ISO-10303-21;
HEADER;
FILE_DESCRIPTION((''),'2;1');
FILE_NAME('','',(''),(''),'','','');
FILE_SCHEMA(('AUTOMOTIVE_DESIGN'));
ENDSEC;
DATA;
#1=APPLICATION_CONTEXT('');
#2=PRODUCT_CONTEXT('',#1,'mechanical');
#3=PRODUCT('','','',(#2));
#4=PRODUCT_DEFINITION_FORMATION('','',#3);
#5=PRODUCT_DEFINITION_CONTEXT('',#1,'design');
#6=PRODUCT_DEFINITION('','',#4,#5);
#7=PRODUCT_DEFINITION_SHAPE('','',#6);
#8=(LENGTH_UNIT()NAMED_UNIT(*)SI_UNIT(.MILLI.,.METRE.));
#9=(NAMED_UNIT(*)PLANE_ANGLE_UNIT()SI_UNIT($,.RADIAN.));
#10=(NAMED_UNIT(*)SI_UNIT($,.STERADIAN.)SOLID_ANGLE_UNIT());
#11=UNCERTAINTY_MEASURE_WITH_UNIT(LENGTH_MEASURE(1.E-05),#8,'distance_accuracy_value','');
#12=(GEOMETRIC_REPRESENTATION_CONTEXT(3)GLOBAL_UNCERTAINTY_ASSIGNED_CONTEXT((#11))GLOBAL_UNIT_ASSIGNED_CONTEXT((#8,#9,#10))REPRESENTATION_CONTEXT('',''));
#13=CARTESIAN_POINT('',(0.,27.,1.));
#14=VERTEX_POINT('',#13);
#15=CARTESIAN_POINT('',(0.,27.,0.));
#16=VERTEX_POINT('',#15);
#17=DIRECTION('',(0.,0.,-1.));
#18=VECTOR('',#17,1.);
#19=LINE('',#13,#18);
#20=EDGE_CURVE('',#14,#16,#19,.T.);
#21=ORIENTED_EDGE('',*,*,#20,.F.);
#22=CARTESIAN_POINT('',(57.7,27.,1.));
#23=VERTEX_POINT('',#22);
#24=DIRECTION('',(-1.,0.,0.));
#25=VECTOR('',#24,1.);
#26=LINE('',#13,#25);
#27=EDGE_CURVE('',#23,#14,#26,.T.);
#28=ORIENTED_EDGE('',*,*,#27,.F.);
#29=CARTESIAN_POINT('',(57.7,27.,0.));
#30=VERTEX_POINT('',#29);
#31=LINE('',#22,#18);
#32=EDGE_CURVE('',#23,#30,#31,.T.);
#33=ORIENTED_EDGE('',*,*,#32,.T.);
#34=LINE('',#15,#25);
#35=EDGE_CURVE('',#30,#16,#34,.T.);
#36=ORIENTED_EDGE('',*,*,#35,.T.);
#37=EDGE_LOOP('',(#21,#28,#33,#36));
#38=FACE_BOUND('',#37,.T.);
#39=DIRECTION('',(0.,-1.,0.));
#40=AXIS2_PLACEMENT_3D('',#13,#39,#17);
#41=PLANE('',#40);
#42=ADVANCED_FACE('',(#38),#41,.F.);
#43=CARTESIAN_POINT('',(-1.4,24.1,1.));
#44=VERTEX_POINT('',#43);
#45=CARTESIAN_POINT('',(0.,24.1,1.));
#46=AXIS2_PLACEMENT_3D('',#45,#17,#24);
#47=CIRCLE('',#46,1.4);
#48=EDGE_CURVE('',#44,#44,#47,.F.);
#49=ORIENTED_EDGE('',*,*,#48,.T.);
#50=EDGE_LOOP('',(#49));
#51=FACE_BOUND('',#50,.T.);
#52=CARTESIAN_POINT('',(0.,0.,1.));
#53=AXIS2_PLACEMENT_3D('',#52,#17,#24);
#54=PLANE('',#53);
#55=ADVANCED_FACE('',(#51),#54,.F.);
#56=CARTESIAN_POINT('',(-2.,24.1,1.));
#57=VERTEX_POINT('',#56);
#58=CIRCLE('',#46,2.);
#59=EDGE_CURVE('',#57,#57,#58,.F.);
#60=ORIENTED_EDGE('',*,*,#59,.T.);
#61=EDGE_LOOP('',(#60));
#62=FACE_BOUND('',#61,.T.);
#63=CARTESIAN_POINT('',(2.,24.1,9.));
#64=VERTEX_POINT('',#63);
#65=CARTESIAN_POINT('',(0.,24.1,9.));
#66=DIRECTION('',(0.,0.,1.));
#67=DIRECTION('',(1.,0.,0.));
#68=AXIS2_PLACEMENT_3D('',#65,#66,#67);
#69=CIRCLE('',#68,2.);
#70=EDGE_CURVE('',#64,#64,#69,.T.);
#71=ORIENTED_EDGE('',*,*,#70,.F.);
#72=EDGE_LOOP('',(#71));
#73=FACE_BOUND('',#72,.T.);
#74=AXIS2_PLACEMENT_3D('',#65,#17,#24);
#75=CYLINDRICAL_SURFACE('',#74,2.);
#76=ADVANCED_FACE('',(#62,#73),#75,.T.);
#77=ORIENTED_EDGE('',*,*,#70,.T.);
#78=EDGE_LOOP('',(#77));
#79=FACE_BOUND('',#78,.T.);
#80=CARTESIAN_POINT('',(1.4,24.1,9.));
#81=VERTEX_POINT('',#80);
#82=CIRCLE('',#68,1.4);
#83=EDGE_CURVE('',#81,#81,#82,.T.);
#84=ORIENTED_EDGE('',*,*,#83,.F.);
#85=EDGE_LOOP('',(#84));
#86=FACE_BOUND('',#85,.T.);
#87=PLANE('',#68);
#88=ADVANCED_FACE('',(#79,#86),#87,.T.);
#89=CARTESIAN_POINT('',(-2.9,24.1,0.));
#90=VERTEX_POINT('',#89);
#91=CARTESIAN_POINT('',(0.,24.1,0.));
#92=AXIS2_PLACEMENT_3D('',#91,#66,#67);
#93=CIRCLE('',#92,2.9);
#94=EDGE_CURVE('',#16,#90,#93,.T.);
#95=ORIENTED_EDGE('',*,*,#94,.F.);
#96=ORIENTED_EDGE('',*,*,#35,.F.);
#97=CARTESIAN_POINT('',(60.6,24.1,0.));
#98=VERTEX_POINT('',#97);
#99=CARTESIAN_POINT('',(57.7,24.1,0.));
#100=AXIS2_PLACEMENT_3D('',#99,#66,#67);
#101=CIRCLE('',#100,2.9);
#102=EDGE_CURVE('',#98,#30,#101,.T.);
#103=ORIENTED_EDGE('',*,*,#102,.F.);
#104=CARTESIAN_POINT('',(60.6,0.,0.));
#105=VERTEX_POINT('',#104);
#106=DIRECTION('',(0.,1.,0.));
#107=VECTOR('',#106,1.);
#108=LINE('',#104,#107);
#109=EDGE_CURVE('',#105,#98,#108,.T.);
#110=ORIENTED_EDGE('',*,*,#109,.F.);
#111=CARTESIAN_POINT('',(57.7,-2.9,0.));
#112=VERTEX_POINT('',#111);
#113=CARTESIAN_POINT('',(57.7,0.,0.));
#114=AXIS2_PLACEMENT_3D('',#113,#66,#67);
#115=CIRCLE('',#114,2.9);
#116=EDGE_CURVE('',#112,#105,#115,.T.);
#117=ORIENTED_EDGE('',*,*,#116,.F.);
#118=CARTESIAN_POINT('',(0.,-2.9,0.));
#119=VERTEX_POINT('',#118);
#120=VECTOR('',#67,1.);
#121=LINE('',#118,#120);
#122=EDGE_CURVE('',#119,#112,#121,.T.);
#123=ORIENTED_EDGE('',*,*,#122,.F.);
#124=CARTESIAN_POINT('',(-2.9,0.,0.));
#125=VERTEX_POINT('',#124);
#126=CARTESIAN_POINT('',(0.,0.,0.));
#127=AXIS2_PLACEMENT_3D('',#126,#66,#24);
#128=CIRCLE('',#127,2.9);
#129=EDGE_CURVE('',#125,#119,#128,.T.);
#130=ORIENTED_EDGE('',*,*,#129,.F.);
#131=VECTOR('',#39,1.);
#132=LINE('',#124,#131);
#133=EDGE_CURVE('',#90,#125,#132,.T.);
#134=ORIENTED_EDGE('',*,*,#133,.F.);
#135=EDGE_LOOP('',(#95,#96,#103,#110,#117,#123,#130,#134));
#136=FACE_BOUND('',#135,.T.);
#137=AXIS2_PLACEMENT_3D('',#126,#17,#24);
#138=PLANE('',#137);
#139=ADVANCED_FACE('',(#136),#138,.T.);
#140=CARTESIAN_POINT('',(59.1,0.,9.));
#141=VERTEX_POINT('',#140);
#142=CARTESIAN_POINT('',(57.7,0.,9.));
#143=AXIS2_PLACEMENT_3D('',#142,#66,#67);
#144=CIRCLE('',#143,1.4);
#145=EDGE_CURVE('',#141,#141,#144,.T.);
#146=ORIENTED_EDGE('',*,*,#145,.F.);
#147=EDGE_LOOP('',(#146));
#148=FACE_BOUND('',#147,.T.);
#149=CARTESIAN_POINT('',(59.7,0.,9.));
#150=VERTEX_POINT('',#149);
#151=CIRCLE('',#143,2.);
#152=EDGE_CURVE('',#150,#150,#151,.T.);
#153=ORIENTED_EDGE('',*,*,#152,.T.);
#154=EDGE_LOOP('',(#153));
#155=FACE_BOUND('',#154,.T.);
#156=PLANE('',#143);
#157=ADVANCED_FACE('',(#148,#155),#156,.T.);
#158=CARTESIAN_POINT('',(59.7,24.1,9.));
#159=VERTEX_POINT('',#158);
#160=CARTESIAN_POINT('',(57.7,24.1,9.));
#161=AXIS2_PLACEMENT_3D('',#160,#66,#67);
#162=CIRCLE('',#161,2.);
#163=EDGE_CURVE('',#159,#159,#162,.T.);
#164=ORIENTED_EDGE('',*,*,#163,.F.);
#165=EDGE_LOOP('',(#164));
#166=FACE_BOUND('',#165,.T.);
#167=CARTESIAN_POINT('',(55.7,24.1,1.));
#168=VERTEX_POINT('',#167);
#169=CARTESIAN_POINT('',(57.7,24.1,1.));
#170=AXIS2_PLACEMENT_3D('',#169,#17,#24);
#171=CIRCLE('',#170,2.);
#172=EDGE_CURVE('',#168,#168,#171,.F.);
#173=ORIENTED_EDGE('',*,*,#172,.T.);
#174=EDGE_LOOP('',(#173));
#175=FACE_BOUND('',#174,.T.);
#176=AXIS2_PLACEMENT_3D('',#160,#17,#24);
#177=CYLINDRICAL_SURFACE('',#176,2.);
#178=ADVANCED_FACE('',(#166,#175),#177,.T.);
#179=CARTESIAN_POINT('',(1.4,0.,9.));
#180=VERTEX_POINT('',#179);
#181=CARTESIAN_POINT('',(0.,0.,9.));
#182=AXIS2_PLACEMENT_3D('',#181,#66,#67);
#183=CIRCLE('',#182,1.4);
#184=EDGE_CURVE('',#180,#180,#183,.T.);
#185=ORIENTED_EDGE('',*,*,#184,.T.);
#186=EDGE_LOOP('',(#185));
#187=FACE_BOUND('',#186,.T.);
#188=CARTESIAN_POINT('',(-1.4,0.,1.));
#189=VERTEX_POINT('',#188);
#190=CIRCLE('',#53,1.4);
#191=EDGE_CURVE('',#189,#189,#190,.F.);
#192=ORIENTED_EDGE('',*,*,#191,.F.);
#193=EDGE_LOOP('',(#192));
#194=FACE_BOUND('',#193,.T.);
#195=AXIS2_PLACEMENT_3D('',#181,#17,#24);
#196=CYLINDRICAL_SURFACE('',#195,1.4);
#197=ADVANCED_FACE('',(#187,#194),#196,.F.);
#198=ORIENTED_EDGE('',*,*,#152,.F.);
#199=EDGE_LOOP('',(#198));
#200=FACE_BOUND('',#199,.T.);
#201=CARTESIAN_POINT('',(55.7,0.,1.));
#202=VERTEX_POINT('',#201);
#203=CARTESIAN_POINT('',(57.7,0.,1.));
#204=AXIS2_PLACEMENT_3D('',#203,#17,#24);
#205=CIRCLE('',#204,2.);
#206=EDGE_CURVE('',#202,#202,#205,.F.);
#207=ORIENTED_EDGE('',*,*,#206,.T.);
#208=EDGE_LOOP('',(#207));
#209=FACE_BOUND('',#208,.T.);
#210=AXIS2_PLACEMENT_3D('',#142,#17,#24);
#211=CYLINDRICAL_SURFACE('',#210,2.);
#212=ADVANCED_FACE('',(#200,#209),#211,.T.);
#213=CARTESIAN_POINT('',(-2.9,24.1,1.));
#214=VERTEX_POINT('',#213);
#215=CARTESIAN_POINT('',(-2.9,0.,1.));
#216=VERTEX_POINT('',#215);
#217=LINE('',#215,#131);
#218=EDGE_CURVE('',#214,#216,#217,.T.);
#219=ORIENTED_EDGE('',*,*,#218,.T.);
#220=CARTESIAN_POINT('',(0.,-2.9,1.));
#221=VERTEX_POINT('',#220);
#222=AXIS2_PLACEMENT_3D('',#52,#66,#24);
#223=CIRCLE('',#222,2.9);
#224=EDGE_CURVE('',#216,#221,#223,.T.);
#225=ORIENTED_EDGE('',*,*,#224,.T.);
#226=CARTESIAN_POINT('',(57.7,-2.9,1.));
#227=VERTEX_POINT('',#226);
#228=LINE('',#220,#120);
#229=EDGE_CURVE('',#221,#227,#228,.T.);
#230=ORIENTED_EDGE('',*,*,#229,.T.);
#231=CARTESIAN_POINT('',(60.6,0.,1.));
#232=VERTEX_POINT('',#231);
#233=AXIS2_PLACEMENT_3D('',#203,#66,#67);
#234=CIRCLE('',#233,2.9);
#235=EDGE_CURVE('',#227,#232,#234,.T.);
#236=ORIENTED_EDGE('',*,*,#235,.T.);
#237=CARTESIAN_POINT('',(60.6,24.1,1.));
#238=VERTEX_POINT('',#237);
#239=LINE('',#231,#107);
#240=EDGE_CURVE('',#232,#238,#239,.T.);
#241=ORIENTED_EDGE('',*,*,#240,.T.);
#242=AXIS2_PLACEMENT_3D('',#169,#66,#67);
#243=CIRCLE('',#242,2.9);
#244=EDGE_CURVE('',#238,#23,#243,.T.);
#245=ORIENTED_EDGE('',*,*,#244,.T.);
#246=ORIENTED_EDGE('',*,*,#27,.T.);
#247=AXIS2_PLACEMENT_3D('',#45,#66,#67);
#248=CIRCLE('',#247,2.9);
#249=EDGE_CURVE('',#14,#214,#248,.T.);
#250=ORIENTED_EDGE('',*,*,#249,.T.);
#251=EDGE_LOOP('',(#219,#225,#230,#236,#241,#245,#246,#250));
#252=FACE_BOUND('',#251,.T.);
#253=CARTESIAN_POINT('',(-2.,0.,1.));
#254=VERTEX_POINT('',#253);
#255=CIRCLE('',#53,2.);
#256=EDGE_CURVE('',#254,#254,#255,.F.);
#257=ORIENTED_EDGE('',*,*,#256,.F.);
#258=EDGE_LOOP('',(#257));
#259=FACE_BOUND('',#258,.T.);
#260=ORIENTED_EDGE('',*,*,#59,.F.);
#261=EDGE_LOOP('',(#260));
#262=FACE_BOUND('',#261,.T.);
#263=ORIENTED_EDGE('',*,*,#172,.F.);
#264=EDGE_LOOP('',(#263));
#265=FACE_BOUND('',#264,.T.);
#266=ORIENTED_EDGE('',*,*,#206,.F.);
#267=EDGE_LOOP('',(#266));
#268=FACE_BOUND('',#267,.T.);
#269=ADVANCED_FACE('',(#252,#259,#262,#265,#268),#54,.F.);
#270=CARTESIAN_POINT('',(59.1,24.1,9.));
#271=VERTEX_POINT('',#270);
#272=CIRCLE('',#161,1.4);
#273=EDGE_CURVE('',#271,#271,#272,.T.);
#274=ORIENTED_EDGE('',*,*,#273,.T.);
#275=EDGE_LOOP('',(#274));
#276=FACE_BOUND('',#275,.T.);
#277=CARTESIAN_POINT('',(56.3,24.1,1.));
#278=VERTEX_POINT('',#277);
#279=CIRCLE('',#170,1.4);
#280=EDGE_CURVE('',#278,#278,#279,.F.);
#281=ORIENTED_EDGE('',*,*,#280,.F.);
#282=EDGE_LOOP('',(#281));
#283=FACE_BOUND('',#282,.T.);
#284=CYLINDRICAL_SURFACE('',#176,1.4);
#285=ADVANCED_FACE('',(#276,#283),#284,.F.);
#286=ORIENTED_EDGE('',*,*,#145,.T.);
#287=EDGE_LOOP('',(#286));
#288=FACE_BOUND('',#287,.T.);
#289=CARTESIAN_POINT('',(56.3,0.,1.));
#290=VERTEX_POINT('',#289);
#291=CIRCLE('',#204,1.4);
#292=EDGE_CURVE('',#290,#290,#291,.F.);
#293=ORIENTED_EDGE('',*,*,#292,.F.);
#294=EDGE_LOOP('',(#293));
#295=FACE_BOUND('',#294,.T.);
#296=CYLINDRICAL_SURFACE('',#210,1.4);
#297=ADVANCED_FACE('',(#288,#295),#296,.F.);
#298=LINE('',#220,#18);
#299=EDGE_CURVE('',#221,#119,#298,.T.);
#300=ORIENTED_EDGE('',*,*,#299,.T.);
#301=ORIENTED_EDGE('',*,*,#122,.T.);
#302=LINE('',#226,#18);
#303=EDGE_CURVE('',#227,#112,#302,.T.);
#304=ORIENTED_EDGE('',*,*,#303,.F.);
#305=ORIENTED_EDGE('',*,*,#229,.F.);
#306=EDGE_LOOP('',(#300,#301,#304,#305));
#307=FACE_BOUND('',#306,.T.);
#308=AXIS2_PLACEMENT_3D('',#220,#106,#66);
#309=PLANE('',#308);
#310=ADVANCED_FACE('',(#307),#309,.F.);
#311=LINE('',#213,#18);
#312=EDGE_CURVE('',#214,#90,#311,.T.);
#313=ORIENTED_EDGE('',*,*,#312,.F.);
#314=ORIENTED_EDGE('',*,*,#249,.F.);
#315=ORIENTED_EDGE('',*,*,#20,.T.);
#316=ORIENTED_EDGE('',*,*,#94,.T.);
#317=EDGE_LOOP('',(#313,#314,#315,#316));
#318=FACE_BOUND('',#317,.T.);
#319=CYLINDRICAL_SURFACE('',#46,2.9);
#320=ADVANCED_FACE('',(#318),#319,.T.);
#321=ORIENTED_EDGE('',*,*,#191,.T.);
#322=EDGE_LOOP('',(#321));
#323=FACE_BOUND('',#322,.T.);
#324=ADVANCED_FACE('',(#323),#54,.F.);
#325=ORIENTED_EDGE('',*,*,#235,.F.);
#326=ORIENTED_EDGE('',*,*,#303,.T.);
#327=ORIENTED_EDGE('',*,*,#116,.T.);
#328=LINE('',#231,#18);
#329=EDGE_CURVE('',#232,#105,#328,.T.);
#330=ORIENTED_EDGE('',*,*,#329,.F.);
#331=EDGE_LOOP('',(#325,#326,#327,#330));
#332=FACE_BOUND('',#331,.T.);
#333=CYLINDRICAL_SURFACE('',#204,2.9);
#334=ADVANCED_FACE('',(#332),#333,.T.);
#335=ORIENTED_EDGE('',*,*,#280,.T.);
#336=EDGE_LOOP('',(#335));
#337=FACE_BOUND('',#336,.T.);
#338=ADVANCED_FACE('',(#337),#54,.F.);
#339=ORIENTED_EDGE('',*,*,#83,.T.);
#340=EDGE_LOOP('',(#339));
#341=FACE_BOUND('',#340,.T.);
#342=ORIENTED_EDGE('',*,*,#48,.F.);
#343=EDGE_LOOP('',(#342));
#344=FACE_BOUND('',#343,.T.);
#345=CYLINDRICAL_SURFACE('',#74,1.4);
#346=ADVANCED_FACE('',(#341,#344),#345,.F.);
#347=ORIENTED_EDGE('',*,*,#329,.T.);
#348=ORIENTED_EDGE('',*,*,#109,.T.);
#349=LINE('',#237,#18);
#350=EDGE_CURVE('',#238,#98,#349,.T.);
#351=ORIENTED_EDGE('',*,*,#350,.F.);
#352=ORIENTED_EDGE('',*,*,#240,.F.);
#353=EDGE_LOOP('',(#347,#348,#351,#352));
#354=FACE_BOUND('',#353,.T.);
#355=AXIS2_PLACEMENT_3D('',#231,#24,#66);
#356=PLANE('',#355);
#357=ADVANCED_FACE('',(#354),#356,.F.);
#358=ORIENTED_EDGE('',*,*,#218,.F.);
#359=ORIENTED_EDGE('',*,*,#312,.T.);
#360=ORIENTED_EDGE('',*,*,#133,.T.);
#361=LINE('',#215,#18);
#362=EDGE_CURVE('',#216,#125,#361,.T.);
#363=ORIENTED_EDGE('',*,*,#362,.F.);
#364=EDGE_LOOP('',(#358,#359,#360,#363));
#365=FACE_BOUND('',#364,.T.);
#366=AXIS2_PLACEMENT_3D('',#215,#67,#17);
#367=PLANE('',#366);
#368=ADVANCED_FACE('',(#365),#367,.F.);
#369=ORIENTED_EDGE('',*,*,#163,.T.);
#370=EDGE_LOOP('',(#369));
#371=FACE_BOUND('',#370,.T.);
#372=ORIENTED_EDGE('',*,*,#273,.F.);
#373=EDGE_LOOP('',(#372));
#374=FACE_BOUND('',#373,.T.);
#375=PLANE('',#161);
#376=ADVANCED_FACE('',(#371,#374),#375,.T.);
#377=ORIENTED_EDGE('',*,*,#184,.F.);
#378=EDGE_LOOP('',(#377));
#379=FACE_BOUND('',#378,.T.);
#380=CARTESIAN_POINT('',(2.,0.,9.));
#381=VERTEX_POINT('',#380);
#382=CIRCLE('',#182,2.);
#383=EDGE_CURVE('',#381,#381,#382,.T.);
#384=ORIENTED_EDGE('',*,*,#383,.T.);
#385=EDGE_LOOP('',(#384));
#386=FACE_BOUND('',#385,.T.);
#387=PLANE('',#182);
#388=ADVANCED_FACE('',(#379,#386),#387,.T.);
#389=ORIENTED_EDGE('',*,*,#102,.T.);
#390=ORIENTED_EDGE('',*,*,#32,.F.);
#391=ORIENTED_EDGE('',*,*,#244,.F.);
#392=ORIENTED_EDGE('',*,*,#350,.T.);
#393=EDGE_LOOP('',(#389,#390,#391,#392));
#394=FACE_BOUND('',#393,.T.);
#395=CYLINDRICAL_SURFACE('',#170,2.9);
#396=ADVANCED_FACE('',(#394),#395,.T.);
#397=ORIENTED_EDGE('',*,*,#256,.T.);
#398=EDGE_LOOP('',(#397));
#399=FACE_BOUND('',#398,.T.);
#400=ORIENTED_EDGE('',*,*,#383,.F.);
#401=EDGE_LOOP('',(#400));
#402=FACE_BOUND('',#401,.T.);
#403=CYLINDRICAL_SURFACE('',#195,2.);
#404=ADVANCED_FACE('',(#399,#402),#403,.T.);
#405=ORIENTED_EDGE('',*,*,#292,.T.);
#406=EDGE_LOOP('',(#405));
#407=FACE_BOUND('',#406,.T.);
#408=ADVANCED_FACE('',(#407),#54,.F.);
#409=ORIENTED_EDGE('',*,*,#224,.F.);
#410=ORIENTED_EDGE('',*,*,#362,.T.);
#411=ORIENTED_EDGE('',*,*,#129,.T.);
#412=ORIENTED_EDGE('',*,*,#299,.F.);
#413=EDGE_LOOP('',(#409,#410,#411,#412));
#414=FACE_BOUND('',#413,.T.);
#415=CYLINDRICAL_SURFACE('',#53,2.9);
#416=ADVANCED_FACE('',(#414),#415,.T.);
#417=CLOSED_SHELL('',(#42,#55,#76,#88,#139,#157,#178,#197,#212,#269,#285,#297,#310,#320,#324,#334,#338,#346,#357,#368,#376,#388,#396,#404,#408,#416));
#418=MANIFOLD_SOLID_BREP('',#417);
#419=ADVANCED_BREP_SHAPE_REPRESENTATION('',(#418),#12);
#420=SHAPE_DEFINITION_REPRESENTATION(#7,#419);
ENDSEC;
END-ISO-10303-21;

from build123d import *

# Parameters (mm, degrees)
EXTRUDE_1_DEPTH = 1
SKETCH_3_R      = 2
SKETCH_3_R_2    = 1.4
EXTRUDE_3_DEPTH = 9


with BuildPart() as part:
    # 草图1 → 凸台-拉伸1 (new body)
    with BuildSketch(Plane.XY):
        with BuildLine():
            Line((0, -2.9), (57.7, -2.9))
            ThreePointArc((57.7, -2.9), (59.750609665, -2.050609665), (60.6, 0))
            Line((60.6, 0), (60.6, 24.1))
            ThreePointArc((60.6, 24.1), (59.750609665, 26.150609665), (57.7, 27))
            Line((57.7, 27), (0, 27))
            ThreePointArc((0, 27), (-2.050609665, 26.150609665), (-2.9, 24.1))
            Line((-2.9, 24.1), (-2.9, 0))
            ThreePointArc((-2.9, 0), (-2.050609665, -2.050609665), (0, -2.9))
        make_face()
    extrude(amount=EXTRUDE_1_DEPTH)

    # 草图3 → 凸台-拉伸3 (add)
    with BuildSketch(Plane.XY):
        Circle(SKETCH_3_R)
        Circle(SKETCH_3_R_2, mode=Mode.SUBTRACT)
        with Locations((0, 24.1)):
            Circle(SKETCH_3_R)
        with Locations((0, 24.1)):
            Circle(SKETCH_3_R_2, mode=Mode.SUBTRACT)
        with Locations((57.7, 0)):
            Circle(SKETCH_3_R)
        with Locations((57.7, 0)):
            Circle(SKETCH_3_R_2, mode=Mode.SUBTRACT)
        with Locations((57.7, 24.1)):
            Circle(SKETCH_3_R)
        with Locations((57.7, 24.1)):
            Circle(SKETCH_3_R_2, mode=Mode.SUBTRACT)
    extrude(amount=EXTRUDE_3_DEPTH)


solid = part.part
